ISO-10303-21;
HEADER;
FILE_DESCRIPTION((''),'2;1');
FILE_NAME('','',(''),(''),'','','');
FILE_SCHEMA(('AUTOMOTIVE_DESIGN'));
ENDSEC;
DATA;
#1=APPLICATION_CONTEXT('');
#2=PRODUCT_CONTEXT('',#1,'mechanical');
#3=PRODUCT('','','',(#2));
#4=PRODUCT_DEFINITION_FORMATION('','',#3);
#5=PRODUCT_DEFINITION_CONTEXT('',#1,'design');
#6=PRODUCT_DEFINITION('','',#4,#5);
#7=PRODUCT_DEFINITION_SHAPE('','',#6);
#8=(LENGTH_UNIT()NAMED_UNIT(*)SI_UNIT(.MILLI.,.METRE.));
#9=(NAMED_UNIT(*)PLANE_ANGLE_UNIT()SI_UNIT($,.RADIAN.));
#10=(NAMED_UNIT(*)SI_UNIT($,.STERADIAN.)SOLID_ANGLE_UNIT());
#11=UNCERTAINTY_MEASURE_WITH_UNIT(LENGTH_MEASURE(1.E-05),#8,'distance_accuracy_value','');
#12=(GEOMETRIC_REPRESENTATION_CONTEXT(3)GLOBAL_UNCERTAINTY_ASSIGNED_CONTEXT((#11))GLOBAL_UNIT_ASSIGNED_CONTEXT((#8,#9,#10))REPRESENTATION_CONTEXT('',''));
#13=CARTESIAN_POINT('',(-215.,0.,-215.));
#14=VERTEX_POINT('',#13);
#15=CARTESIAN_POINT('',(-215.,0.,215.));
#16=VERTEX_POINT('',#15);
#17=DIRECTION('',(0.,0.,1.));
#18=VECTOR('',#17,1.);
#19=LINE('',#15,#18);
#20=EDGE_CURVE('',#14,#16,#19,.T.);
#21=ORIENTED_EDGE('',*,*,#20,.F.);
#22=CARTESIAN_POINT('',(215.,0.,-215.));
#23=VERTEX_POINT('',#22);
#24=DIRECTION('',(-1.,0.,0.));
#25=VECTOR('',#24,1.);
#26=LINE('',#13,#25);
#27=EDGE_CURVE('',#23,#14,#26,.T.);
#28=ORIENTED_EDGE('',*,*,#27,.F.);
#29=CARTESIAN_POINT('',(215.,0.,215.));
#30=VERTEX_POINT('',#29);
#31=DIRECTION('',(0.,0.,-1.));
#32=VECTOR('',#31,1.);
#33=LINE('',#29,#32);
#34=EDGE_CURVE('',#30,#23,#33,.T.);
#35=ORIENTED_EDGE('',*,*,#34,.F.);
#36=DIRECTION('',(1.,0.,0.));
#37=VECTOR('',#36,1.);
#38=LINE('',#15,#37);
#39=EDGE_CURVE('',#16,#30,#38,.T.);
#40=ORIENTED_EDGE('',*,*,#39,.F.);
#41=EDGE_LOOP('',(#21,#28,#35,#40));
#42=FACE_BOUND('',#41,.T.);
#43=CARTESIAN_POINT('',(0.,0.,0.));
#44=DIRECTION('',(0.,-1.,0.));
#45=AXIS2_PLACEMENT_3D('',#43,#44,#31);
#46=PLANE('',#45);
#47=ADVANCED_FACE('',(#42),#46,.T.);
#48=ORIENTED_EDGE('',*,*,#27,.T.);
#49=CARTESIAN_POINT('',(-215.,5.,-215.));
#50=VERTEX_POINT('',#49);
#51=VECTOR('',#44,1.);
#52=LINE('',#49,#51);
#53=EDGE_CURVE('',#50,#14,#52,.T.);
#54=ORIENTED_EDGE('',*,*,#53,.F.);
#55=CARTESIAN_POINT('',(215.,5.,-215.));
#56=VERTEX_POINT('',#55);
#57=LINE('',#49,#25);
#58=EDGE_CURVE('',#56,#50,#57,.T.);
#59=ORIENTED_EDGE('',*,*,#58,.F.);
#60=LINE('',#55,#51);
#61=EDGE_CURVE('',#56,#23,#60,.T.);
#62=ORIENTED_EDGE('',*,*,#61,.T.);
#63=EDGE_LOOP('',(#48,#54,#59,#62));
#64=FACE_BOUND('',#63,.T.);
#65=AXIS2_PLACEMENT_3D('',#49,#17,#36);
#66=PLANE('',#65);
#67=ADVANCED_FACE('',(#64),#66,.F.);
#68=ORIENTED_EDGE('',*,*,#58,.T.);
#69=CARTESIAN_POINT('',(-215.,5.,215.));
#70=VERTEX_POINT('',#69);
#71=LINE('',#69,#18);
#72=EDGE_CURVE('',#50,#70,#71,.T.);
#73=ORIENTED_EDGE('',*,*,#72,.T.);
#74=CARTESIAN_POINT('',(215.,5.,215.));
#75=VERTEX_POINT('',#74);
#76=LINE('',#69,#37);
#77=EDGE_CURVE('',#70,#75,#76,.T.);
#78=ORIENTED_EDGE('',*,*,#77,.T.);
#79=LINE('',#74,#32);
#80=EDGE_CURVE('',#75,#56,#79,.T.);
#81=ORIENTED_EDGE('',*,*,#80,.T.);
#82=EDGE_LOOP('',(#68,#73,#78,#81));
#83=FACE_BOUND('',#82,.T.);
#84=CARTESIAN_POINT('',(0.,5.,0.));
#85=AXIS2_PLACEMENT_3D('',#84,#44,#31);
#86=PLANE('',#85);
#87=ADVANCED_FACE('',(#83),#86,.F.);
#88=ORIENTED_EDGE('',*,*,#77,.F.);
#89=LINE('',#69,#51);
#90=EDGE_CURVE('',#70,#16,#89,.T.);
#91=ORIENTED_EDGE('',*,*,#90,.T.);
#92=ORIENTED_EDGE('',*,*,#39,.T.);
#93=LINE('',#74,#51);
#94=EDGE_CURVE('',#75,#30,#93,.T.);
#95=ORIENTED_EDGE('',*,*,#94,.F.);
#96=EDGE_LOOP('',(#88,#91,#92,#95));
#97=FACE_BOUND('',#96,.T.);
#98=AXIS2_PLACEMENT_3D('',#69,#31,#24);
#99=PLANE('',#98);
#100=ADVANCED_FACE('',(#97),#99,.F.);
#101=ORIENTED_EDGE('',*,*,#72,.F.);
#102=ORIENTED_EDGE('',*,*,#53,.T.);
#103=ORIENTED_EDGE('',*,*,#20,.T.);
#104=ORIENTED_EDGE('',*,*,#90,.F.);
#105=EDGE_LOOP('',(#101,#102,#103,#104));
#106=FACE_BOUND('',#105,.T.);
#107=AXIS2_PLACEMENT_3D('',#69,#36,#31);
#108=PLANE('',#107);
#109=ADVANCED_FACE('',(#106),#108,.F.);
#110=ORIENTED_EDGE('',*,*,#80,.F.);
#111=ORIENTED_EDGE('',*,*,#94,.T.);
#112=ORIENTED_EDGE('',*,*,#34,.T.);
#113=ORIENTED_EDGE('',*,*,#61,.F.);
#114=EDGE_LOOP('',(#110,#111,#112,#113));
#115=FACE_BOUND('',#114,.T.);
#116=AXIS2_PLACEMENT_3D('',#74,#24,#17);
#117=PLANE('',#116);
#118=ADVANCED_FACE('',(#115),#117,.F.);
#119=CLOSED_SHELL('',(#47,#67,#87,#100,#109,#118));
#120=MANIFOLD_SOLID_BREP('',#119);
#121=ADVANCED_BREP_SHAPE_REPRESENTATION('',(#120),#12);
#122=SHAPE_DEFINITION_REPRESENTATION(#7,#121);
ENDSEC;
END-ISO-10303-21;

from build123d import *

# Parameters (mm, degrees)
SKETCH_1_W      = 430
SKETCH_1_H      = 430
EXTRUDE_1_DEPTH = 5


with BuildPart() as part:
    # 草图1 → 凸台-拉伸1 (new body)
    with BuildSketch(Plane(origin=(0, 0, 0), x_dir=(1, 0, 0), z_dir=(0, 1, 0))):
        Rectangle(SKETCH_1_W, SKETCH_1_H)
    extrude(amount=EXTRUDE_1_DEPTH)


solid = part.part
